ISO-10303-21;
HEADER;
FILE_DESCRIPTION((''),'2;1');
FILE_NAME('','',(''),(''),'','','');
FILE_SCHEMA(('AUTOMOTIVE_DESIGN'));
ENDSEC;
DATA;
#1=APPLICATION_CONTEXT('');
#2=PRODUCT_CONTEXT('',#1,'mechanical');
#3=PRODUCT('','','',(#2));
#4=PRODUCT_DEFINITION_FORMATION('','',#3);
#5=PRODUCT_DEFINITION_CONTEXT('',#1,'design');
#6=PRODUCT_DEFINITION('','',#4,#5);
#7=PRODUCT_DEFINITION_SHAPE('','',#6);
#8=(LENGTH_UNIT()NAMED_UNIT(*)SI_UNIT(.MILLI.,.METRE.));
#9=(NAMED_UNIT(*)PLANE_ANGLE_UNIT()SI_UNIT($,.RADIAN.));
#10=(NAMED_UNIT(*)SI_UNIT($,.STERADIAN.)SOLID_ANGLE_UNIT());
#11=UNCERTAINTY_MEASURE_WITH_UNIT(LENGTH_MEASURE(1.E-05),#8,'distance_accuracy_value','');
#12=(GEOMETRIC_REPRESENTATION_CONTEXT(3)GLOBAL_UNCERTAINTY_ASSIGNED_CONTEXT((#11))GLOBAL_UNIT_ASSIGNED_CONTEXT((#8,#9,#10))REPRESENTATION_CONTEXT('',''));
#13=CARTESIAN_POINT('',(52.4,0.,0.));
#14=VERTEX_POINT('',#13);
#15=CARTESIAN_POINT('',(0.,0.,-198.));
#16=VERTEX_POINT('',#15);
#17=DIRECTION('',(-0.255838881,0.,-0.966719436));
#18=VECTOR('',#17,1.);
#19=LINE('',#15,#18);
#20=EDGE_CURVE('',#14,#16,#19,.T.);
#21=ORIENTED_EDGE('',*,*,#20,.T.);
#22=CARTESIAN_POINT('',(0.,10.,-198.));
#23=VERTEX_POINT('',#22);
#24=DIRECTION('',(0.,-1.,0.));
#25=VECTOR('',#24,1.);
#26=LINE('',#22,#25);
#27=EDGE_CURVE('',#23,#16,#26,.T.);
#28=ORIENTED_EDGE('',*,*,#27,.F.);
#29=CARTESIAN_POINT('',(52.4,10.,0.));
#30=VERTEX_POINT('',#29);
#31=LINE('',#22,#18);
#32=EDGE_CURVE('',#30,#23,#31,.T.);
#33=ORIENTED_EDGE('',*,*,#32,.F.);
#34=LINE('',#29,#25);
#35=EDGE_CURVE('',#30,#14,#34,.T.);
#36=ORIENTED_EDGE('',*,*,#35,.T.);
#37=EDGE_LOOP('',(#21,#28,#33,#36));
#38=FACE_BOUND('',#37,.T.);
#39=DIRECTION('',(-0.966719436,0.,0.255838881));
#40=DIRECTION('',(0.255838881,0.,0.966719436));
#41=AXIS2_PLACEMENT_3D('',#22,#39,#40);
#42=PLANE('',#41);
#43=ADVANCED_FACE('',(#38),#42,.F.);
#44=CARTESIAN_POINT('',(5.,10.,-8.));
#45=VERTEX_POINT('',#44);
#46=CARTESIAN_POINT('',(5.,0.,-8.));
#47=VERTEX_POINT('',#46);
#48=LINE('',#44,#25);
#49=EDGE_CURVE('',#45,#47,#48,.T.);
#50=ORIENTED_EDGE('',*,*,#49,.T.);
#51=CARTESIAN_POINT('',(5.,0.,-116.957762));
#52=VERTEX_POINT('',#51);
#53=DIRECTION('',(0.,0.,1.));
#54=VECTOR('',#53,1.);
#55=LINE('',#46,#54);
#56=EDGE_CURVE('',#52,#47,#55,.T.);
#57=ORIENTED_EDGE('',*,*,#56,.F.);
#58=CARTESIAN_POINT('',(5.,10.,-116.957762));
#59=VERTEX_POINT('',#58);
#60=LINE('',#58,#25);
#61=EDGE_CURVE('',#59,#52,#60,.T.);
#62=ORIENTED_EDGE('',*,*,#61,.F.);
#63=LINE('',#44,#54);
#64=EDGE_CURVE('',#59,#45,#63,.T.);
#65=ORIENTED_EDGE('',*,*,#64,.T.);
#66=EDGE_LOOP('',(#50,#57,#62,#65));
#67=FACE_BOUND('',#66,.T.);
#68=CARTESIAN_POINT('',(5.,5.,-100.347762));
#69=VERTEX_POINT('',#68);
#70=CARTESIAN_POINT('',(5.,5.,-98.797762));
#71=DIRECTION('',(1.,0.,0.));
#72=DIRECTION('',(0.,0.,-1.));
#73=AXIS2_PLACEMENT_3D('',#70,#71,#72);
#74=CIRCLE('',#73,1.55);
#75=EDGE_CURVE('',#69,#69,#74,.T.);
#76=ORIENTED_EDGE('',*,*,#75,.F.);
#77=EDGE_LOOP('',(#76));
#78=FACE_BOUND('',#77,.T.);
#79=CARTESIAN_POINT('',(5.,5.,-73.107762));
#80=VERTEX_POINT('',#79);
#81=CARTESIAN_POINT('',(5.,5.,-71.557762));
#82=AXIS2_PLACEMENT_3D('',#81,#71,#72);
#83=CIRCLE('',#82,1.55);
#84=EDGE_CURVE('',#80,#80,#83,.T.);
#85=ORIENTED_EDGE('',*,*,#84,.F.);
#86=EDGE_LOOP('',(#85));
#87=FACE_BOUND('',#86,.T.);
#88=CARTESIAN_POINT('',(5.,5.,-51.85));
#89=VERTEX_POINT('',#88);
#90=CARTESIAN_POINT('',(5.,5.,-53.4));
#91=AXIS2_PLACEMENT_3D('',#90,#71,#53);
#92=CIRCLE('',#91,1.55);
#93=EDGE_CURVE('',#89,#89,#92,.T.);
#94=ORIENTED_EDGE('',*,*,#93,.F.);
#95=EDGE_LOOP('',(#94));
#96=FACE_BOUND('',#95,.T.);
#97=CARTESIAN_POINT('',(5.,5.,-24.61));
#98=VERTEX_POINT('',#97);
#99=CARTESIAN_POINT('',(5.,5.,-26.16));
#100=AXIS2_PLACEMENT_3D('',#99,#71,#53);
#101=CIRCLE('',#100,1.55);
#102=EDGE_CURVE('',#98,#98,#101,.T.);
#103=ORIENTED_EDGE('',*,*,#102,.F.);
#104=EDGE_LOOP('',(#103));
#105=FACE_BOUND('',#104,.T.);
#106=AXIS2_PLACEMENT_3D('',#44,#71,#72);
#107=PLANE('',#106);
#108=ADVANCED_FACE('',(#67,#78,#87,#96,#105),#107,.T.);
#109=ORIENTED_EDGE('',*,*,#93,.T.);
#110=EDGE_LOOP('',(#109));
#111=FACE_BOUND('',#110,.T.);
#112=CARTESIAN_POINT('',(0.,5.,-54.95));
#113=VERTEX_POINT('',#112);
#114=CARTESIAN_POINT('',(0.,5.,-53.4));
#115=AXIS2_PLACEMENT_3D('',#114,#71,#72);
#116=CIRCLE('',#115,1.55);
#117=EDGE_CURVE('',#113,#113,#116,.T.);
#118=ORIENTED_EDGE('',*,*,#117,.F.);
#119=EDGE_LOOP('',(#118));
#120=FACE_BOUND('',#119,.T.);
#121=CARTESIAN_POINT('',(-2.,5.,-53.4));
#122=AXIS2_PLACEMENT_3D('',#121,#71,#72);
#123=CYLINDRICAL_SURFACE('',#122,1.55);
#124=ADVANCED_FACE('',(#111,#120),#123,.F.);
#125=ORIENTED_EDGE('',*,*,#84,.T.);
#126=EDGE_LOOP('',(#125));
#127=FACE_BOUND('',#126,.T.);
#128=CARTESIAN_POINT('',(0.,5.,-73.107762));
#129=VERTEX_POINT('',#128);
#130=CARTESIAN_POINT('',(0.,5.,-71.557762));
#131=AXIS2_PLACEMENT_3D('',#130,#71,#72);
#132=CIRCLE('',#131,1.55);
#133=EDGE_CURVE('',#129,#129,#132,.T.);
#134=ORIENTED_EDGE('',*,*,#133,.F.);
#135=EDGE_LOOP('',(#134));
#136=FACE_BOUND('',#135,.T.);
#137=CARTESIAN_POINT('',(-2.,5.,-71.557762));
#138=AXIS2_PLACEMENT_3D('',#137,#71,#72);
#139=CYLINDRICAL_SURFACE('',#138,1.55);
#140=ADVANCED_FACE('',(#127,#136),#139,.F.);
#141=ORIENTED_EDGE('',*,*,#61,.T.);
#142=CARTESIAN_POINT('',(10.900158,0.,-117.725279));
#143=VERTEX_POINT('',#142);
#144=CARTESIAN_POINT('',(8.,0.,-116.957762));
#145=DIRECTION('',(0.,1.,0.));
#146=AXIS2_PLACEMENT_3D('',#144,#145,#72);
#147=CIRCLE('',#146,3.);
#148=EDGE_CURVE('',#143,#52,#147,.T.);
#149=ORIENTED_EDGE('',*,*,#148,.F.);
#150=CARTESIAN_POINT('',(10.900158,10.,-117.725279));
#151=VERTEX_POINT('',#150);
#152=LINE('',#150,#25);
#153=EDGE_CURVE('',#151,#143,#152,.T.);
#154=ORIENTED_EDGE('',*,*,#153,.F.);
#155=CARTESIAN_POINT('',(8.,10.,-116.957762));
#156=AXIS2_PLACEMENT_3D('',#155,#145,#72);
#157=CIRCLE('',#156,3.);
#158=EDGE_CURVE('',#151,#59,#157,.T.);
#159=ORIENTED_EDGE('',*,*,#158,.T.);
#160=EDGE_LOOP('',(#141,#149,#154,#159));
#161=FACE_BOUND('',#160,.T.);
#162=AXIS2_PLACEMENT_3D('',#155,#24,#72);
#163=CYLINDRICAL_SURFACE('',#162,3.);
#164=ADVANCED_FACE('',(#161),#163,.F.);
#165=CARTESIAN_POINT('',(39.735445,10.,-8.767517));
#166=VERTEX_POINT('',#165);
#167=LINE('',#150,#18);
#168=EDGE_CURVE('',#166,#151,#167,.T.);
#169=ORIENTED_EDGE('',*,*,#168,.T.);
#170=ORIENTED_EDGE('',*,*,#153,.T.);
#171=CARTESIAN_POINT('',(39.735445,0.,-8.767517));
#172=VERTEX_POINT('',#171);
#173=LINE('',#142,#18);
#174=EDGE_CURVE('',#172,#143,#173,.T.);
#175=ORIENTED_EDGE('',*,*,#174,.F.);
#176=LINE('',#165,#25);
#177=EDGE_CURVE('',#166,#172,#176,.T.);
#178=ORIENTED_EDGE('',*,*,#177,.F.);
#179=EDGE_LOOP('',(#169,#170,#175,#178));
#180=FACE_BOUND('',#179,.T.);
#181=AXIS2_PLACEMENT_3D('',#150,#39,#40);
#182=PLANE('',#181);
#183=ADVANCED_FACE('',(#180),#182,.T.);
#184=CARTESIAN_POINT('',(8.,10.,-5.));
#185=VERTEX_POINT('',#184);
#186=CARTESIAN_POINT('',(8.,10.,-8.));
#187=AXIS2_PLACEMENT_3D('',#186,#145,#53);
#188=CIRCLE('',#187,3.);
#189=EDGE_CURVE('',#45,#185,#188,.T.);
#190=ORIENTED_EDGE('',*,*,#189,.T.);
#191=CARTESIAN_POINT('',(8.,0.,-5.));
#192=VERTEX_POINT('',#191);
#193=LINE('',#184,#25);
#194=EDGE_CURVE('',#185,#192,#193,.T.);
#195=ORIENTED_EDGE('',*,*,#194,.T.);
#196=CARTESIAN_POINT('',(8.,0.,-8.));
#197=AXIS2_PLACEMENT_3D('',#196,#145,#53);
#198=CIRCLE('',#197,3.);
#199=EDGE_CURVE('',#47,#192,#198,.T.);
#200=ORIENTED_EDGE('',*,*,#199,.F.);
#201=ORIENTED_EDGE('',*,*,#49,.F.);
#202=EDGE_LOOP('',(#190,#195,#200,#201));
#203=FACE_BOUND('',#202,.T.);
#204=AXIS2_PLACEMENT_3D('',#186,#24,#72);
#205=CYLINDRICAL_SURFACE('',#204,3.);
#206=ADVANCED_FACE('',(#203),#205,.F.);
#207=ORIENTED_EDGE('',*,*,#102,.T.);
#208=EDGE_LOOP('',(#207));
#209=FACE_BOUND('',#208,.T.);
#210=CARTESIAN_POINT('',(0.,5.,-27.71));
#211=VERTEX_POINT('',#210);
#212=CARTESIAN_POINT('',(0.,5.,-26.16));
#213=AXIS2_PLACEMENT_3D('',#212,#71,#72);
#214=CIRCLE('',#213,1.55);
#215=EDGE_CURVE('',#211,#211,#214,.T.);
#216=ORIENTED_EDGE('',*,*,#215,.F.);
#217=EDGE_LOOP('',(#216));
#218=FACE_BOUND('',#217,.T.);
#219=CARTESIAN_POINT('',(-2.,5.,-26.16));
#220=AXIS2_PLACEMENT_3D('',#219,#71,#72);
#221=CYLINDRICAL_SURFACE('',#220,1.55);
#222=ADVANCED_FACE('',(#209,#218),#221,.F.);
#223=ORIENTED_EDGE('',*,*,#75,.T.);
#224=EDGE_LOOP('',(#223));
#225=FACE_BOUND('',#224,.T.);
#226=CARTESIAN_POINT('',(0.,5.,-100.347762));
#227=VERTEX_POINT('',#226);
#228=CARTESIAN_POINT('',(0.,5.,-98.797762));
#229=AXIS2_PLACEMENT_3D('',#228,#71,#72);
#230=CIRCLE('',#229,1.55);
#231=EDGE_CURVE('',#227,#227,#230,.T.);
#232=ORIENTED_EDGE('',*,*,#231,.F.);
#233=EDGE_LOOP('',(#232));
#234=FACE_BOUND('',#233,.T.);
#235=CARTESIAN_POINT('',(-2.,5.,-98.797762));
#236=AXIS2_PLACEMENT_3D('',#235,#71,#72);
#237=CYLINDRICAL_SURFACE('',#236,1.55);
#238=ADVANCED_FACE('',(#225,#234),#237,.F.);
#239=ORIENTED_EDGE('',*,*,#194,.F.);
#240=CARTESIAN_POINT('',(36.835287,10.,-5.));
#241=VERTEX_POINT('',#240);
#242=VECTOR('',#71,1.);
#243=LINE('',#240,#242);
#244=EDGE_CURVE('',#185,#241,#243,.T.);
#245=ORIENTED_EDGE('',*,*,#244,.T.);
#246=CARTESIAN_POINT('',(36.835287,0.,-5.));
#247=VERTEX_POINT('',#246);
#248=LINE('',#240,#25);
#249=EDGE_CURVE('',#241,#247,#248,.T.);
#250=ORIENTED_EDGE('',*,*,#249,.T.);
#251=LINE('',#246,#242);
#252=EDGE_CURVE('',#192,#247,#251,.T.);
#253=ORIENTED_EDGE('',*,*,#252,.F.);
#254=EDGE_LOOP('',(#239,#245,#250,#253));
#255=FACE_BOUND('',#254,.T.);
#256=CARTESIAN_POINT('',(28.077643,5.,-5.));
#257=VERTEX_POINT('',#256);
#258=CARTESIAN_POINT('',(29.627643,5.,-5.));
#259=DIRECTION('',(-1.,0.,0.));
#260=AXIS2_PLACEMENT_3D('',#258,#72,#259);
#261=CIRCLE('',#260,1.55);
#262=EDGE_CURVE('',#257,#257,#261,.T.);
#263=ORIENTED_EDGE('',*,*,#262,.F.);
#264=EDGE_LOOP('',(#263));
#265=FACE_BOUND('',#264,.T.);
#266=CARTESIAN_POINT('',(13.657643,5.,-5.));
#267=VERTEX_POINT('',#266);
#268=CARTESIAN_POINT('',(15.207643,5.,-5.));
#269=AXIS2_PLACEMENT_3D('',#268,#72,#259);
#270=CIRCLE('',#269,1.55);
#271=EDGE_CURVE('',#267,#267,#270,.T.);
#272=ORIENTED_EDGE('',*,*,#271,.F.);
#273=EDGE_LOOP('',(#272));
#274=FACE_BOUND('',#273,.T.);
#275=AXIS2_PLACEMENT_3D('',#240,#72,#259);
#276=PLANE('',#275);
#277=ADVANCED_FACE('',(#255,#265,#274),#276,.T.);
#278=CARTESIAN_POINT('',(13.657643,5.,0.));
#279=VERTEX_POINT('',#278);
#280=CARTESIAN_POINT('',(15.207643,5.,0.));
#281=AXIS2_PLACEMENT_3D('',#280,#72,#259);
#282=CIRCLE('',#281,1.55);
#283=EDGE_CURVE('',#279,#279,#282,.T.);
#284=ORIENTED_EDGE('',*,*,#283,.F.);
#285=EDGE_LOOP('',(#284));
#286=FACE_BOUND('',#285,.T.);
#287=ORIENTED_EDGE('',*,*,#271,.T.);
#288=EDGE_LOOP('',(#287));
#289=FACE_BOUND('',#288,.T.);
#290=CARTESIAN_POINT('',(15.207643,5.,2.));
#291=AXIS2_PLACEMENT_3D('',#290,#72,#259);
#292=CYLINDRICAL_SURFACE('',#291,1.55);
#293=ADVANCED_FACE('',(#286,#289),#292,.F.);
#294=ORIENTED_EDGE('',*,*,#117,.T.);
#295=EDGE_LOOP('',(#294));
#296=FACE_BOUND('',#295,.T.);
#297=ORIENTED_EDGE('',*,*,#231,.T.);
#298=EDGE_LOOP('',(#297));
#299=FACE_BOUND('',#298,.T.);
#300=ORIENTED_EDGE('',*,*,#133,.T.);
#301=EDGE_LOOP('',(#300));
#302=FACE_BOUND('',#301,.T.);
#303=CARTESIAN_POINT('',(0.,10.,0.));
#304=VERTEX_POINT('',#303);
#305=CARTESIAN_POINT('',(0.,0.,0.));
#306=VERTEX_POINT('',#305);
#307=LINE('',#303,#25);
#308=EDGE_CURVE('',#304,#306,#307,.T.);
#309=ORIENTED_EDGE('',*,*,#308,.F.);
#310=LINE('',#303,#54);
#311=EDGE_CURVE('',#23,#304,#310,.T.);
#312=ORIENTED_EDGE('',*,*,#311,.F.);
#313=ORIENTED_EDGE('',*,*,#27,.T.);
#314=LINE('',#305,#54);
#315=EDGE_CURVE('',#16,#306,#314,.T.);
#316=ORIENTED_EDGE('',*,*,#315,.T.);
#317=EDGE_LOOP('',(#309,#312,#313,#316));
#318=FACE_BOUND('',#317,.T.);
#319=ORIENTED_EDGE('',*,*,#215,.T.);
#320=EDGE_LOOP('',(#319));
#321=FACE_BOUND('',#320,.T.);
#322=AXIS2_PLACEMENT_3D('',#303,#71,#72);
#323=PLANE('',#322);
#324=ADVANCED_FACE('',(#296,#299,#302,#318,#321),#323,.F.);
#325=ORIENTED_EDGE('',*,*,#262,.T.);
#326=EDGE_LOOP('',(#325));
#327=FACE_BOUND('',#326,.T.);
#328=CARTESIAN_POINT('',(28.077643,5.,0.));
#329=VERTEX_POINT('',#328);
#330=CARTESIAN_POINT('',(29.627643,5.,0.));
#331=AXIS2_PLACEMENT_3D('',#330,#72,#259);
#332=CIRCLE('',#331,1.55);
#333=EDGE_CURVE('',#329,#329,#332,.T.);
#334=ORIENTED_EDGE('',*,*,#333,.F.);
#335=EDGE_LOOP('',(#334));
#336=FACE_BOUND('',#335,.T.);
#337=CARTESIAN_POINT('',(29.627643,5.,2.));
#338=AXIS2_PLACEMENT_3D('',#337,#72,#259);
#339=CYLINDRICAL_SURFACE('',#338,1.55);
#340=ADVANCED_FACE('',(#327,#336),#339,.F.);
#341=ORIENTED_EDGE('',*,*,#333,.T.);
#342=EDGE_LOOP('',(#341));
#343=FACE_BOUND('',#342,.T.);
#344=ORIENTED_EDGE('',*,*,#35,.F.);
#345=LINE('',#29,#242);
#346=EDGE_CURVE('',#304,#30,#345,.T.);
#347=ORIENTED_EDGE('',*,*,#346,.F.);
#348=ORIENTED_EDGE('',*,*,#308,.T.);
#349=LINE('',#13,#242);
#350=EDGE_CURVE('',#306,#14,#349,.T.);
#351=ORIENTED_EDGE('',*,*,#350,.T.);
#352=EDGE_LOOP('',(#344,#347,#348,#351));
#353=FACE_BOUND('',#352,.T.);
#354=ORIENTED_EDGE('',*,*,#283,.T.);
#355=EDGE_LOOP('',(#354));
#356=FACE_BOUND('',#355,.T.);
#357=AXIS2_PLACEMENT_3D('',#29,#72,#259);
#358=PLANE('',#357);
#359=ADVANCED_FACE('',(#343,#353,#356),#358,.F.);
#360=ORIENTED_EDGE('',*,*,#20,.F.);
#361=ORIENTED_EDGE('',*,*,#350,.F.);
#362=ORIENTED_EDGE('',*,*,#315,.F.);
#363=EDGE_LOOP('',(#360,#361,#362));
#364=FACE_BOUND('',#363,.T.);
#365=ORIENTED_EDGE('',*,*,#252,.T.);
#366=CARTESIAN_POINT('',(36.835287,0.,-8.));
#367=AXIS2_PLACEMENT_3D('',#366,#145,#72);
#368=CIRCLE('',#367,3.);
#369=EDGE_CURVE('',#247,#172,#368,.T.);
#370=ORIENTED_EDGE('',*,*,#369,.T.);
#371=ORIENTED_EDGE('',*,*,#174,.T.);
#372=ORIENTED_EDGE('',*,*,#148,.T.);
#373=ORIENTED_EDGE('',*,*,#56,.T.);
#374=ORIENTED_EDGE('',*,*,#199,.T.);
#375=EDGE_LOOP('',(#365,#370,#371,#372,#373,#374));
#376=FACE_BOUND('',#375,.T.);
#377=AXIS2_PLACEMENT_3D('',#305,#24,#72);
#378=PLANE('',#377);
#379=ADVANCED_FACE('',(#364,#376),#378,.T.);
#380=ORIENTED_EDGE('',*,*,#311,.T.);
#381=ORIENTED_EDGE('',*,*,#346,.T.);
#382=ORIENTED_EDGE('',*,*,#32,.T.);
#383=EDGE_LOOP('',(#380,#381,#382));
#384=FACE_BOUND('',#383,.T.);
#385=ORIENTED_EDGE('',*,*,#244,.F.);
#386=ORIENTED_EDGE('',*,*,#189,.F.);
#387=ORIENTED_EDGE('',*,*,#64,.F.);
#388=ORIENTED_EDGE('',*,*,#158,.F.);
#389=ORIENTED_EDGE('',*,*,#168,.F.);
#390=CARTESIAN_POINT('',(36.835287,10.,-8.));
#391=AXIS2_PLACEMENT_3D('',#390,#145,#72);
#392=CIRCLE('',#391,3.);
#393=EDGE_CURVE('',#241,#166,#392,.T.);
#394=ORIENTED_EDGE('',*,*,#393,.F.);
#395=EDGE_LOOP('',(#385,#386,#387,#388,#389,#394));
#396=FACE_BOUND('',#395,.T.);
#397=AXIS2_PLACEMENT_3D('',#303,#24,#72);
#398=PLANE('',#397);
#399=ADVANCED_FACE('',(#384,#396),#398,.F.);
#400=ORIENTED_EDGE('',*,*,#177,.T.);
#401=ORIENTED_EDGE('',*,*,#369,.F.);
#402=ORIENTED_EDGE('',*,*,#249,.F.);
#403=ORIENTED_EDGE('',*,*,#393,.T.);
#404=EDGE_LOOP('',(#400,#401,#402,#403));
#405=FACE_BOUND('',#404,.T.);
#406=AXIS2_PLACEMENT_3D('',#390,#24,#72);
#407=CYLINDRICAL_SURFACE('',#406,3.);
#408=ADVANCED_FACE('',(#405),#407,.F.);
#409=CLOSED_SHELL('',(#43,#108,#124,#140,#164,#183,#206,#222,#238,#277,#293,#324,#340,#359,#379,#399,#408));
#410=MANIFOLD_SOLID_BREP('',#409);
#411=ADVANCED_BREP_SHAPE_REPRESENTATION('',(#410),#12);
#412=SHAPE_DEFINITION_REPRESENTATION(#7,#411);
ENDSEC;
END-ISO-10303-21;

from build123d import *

# Parameters (mm, degrees)
BOSS_EXTRUDE1_DEPTH = 10
SKETCH2_R           = 1.55
CUT_EXTRUDE1_DEPTH  = 7
SKETCH3_R           = 1.55
CUT_EXTRUDE2_DEPTH  = 7


with BuildPart() as part:
    # Sketch1 → Boss-Extrude1 (new body)
    with BuildSketch(Plane(origin=(0, 0, 0), x_dir=(1, 0, 0), z_dir=(0, 1, 0))):
        Polygon((0, 0), (0, 198), (52.4, 0), align=None)
        with BuildLine():
            Line((5, 8), (5, 116.957761971))
            ThreePointArc((5, 116.957761971), (7.613008346, 119.932696838), (10.900158307, 117.725278614))
            Line((10.900158307, 117.725278614), (39.735444808, 8.767516643))
            ThreePointArc((39.735444808, 8.767516643), (39.212527542, 6.170047805), (36.835286501, 5))
            Line((36.835286501, 5), (8, 5))
            ThreePointArc((8, 5), (5.878679656, 5.878679656), (5, 8))
        make_face(mode=Mode.SUBTRACT)
    extrude(amount=BOSS_EXTRUDE1_DEPTH)

    # Sketch2 → Cut-Extrude1 (cut)
    with BuildSketch(Plane(origin=(0, 0, -5), x_dir=(-1, 0, 0), z_dir=(0, 0, -1))):
        with Locations((-15.207643251, 5)):
            Circle(SKETCH2_R)
        with Locations((-29.627643251, 5)):
            Circle(SKETCH2_R)
    extrude(amount=-CUT_EXTRUDE1_DEPTH, mode=Mode.SUBTRACT)

    # Sketch3 → Cut-Extrude2 (cut)
    with BuildSketch(Plane(origin=(5, 0, 0), x_dir=(0, 0, -1), z_dir=(1, 0, 0))):
        with Locations((98.797761971, 5)):
            Circle(SKETCH3_R)
        with Locations((71.557761971, 5)):
            Circle(SKETCH3_R)
        with Locations((53.4, 5)):
            Circle(SKETCH3_R)
        with Locations((26.16, 5)):
            Circle(SKETCH3_R)
    extrude(amount=-CUT_EXTRUDE2_DEPTH, mode=Mode.SUBTRACT)


solid = part.part
